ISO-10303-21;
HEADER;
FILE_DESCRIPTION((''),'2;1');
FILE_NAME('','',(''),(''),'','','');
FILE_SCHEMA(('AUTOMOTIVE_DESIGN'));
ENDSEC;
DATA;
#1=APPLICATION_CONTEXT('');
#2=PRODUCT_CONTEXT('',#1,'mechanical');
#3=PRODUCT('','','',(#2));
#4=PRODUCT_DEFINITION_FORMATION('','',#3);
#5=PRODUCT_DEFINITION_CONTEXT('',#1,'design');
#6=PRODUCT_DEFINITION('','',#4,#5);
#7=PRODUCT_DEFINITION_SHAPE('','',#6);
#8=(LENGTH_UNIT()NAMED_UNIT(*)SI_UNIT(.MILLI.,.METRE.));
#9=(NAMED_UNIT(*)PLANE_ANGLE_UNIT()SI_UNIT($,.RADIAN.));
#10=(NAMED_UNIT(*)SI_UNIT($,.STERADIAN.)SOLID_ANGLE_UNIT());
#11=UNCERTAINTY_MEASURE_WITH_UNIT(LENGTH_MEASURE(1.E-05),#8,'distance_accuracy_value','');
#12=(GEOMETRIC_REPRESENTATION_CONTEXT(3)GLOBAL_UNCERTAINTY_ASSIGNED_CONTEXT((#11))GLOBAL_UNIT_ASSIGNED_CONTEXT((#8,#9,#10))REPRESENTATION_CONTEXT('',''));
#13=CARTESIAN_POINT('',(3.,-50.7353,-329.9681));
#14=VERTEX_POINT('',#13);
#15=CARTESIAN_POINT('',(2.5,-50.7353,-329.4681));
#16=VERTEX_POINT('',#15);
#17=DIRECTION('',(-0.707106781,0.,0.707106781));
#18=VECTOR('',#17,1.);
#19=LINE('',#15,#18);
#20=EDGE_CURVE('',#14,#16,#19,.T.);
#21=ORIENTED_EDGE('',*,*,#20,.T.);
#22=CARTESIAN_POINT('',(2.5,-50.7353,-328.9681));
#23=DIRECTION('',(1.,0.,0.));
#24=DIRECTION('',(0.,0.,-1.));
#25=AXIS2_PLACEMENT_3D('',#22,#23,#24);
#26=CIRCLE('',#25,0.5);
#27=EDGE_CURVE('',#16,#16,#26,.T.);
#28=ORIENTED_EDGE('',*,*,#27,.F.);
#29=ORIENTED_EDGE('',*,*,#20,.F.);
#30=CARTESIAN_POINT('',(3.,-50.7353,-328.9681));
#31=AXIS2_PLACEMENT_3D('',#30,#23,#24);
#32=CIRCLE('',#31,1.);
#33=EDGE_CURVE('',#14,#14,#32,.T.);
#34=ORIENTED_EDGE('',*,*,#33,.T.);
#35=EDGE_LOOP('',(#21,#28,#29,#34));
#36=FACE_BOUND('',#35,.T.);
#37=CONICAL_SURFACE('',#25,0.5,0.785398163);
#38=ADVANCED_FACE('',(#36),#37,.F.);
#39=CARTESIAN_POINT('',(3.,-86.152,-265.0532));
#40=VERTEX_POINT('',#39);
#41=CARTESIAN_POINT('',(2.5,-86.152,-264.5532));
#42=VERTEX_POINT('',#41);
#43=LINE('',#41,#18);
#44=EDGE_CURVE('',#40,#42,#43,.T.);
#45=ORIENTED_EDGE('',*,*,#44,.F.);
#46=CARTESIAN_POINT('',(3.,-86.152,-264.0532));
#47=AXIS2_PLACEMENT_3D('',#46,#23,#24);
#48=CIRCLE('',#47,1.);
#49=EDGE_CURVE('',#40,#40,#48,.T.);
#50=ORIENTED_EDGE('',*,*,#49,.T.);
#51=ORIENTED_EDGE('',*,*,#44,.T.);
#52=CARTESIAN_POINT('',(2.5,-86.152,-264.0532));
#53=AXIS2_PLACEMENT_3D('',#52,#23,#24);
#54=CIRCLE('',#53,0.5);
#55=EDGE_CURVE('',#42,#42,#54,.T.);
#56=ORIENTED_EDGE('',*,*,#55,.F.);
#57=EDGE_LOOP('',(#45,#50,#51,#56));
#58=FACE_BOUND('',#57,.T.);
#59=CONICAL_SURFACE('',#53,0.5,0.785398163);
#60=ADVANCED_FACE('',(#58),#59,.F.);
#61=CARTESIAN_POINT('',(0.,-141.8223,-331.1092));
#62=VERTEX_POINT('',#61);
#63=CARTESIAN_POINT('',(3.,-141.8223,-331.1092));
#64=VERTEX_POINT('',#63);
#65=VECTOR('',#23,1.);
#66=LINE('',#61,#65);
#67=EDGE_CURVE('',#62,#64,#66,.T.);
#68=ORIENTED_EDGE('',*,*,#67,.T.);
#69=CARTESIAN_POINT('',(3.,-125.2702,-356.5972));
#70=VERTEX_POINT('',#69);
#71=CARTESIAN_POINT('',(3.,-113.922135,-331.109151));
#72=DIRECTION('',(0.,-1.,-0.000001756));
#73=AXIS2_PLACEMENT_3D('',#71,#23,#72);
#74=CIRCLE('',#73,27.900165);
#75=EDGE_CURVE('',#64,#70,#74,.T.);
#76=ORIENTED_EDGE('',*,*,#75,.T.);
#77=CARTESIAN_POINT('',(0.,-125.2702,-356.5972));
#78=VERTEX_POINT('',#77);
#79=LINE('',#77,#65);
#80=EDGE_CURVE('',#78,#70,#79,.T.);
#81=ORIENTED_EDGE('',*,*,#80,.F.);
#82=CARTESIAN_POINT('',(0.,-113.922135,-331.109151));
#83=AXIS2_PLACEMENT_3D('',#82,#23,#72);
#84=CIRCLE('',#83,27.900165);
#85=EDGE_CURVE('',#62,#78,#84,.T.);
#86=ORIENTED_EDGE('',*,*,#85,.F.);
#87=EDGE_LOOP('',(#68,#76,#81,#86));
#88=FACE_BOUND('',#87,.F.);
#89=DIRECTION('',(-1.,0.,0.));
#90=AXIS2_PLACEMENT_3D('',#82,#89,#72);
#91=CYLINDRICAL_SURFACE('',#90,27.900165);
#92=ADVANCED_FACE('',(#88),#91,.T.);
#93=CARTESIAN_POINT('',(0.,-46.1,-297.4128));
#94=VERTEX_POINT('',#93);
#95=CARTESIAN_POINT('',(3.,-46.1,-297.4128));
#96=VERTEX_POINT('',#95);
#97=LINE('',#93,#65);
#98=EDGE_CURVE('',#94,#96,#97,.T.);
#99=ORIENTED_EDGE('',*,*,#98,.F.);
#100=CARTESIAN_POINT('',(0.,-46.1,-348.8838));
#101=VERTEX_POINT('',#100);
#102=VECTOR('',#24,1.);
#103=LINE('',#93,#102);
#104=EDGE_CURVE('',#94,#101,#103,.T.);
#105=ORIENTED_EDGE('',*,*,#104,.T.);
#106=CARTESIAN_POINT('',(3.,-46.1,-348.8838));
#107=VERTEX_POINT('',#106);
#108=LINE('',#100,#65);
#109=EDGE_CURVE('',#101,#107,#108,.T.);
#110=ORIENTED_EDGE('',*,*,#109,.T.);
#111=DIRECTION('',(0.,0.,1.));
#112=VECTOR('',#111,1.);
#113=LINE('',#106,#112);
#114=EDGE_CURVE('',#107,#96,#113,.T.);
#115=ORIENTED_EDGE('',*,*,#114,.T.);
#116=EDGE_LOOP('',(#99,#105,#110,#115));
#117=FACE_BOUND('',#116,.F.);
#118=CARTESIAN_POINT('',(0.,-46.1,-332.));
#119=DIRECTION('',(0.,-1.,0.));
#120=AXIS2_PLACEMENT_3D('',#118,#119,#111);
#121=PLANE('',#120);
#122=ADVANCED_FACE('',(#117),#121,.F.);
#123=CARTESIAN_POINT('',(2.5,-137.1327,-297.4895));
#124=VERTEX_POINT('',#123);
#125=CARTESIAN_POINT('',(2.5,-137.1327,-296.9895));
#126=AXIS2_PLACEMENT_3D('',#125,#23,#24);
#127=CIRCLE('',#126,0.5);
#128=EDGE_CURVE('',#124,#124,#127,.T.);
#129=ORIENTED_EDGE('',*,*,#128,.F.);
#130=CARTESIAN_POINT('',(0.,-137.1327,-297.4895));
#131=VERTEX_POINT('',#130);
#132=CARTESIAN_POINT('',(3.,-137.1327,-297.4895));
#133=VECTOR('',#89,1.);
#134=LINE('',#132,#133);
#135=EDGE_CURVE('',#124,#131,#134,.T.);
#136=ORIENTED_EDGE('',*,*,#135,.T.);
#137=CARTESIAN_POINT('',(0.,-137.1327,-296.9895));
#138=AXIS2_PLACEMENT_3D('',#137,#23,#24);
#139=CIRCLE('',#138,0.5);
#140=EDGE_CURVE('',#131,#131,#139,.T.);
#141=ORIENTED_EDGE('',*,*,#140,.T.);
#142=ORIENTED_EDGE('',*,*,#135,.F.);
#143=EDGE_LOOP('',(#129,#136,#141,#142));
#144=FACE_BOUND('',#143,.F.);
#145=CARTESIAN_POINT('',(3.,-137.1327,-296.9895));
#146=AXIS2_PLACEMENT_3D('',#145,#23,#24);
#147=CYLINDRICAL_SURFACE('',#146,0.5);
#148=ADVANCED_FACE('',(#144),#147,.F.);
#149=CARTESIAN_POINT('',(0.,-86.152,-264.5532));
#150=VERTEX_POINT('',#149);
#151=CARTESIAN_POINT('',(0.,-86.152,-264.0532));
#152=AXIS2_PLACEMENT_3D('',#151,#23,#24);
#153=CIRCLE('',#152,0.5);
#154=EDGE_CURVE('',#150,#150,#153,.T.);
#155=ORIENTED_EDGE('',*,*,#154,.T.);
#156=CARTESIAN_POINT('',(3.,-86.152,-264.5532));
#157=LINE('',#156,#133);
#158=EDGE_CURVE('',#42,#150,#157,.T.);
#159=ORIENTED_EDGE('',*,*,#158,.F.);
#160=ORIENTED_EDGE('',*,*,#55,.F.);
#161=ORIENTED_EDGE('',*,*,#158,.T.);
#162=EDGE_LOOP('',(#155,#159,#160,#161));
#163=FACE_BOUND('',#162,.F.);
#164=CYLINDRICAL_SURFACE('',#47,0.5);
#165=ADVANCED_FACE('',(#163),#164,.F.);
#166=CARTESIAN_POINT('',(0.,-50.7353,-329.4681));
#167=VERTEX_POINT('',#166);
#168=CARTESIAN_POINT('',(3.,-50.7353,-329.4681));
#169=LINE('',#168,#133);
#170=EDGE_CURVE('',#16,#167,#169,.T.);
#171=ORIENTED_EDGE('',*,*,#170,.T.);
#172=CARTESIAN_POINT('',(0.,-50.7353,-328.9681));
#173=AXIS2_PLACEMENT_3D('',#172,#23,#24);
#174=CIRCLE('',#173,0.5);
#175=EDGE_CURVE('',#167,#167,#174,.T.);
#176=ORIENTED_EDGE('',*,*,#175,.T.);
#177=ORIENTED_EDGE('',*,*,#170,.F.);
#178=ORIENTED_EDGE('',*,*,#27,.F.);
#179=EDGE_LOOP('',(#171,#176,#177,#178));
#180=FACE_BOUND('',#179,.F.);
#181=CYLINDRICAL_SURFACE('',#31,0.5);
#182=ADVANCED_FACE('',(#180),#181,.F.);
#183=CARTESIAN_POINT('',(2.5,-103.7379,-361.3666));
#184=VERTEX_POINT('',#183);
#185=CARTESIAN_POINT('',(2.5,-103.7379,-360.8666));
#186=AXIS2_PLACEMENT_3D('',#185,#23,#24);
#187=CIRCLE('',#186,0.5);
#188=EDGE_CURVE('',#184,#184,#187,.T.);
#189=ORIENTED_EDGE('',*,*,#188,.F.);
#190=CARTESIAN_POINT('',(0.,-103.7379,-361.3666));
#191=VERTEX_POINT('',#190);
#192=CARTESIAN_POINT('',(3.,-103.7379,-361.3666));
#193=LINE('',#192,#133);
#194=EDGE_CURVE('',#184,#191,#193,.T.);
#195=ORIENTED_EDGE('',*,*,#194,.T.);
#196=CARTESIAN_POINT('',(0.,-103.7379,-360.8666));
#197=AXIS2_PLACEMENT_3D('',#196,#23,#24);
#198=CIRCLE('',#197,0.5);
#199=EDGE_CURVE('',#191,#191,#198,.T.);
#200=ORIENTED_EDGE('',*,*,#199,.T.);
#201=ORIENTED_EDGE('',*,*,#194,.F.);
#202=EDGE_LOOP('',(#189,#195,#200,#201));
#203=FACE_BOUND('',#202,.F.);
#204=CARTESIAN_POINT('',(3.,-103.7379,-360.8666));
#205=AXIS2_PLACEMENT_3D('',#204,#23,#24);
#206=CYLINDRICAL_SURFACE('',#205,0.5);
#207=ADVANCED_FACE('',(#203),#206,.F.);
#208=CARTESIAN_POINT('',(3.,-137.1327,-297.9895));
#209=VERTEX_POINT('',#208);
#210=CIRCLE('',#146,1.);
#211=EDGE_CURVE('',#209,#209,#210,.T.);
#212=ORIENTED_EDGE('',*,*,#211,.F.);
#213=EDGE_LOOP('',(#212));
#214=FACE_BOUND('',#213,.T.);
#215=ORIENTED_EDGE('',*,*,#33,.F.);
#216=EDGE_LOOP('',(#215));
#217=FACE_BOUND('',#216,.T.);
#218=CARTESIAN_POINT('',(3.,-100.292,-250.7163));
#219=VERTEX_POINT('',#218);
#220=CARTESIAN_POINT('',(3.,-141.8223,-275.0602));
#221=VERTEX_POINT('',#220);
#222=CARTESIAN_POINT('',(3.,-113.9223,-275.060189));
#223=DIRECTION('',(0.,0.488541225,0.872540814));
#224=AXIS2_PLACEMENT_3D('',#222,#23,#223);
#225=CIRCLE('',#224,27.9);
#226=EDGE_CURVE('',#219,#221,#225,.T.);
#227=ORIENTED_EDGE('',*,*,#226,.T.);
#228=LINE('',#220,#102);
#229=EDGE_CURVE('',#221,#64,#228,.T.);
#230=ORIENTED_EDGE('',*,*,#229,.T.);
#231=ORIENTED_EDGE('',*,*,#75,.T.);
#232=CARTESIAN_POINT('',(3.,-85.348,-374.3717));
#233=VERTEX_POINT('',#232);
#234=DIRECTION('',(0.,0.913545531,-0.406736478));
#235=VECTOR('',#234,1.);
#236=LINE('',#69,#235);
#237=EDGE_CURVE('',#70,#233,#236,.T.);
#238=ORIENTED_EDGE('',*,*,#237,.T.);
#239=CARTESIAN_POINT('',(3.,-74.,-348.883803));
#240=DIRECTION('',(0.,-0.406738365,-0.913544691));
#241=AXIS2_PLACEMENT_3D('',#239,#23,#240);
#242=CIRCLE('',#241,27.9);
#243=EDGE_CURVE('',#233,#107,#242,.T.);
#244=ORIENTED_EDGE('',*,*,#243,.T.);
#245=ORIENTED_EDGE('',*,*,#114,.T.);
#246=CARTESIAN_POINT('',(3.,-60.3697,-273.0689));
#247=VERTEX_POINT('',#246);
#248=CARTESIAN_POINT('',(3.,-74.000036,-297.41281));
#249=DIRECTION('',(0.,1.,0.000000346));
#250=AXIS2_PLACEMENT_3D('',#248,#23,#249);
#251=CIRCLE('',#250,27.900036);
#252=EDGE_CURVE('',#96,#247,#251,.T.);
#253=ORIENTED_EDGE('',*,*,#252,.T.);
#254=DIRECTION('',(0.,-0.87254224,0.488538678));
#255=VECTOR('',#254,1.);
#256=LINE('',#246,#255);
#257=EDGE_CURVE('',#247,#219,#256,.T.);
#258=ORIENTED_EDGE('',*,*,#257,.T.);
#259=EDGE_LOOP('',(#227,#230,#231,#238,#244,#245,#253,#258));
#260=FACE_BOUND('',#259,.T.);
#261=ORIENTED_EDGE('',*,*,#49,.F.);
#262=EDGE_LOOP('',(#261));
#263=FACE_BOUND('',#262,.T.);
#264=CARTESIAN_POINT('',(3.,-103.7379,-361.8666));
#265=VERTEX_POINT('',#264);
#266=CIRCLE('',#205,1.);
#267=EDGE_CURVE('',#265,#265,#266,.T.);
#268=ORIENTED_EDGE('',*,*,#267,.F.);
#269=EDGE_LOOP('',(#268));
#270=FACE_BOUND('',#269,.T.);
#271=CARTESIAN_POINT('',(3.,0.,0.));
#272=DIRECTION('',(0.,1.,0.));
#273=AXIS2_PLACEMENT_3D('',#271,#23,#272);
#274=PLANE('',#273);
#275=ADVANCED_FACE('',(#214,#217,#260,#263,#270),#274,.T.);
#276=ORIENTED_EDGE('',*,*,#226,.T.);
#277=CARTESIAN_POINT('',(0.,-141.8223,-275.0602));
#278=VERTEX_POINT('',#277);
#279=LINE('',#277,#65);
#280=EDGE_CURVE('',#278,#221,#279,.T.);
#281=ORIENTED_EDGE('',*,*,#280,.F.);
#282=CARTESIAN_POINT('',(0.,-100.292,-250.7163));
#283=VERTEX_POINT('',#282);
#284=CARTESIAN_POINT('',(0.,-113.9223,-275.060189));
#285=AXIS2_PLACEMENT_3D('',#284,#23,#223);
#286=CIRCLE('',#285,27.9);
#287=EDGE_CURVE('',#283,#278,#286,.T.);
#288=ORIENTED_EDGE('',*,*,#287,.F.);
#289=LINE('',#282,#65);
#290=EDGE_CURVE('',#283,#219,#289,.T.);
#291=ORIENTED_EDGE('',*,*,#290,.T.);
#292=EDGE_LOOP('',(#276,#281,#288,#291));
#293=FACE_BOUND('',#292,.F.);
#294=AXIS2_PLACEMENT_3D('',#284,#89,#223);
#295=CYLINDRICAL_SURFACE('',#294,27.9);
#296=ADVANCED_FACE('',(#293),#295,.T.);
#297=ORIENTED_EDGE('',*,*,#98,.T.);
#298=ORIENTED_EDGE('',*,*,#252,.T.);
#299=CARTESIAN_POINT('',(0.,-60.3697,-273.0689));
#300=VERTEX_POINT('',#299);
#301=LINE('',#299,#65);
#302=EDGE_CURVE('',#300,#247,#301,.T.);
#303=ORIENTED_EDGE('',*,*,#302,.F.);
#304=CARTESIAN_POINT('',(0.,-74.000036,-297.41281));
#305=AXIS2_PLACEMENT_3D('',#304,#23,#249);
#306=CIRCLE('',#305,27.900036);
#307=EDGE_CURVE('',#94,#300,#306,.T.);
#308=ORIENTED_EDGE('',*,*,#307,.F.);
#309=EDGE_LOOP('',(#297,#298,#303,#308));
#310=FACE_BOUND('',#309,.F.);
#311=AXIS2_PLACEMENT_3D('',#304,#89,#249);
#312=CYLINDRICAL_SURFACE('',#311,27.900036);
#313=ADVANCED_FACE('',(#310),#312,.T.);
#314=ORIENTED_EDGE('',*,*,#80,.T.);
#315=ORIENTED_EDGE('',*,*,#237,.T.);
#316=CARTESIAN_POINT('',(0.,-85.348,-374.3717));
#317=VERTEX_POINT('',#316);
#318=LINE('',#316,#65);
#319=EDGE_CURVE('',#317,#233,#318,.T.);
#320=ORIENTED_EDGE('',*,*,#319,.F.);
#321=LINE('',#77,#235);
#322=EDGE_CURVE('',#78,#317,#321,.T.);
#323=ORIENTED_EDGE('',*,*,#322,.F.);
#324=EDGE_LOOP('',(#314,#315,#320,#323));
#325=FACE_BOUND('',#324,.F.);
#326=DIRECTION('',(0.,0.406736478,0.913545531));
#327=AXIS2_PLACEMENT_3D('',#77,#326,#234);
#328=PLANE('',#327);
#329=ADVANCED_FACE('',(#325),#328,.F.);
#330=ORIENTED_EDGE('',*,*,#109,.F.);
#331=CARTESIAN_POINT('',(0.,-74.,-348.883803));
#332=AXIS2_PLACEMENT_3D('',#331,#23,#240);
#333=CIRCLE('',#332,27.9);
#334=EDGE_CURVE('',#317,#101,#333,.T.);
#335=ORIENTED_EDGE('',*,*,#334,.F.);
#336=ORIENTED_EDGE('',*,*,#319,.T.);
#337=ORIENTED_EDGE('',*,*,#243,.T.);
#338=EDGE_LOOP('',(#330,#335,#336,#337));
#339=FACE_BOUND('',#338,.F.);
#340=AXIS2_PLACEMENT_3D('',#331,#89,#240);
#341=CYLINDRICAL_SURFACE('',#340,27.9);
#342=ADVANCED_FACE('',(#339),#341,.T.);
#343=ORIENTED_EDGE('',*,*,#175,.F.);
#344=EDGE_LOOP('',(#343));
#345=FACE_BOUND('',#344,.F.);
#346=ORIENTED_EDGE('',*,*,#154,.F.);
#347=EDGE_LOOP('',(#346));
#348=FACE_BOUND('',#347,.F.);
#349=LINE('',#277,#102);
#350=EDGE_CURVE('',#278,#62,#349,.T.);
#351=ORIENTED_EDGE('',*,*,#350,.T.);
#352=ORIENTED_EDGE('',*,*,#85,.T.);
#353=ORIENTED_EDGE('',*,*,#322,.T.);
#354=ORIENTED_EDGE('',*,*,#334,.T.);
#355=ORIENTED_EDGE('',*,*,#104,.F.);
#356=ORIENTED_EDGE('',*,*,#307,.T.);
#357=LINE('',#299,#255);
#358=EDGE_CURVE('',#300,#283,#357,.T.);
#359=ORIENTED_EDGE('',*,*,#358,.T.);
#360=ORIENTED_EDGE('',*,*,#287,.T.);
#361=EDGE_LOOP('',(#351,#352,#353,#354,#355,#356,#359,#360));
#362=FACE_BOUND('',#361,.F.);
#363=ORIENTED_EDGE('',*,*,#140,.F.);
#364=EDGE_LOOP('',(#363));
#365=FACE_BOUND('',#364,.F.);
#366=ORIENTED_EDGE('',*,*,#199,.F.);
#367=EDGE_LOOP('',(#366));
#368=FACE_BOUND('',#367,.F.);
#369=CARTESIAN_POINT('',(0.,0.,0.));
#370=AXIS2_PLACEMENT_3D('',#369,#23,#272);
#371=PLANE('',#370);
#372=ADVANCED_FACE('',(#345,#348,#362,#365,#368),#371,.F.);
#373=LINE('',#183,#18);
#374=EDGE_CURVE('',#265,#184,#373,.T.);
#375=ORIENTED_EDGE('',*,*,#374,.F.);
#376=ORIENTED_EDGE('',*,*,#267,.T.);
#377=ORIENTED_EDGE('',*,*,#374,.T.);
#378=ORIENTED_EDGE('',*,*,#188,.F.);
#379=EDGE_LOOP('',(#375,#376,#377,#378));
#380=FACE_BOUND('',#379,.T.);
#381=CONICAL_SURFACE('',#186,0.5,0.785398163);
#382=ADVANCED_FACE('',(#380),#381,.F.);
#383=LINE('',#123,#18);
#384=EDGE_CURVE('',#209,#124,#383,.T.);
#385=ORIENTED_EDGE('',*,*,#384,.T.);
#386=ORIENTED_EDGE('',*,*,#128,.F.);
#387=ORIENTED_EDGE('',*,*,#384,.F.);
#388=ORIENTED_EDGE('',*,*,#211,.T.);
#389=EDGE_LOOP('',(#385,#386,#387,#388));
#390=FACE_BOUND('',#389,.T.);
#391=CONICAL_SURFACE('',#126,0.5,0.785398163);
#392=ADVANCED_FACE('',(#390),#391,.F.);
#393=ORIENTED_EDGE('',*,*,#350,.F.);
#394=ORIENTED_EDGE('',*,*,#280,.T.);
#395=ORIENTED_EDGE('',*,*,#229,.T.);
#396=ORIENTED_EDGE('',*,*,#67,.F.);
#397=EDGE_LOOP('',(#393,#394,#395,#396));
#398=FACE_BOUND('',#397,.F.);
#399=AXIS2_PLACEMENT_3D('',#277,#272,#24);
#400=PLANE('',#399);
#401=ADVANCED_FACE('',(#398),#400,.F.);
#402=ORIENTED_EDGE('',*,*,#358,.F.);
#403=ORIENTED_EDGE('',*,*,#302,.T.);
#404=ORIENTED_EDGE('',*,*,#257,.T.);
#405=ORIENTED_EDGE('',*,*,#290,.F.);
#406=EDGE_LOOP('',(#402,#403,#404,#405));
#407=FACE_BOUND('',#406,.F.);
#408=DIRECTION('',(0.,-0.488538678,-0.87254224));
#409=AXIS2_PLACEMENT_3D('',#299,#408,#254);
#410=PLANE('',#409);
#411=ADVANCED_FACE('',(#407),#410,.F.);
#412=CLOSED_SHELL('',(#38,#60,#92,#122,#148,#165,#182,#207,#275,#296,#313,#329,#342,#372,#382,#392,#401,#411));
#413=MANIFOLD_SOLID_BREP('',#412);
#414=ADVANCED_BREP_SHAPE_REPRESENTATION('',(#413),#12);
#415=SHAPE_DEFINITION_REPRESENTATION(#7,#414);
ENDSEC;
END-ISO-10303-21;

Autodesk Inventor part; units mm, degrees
ref_plane "YZ Plane" through (0, 0, 0) normal (1, 0, 0) x (0, 1, 0)
ref_plane "XZ Plane" through (0, 0, 0) normal (0, 1, 0) x (-1, 0, 0)
ref_plane "XY Plane" through (0, 0, 0) normal (0, 0, 1) x (1, 0, 0)
sketch "Sketch1" plane through (0, 0, 0) normal (1, 0, 0) x (0, 1, 0)
  line L0 (0, -332) -> (-46, -332) construction
  line L1 (-46, -332) -> (-46, -297.4128)
  line L2 (-46, -332) -> (-46, -348.8838)
  line L3 (-85.3886, -374.4631) -> (-125.3109, -356.6885)
  line L4 (-141.9223, -331.1092) -> (-141.9223, -275.0602)
  arc A0 (-85.3886, -374.4631) -> (-46, -348.8838) centre (-74, -348.8838) ccw
  arc A1 (-100.2431, -250.629) -> (-141.9223, -275.0602) centre (-113.9223, -275.0602) ccw
  arc A2 (-46, -297.4128) -> (-60.3209, -272.9817) centre (-74, -297.4128) ccw
  arc A3 (-141.9223, -331.1092) -> (-125.3109, -356.6885) centre (-113.9223, -331.1092) ccw
  line L5 (0, -332) -> (-46, -332) construction
  line L6 (-46, -332) -> (-46, -297.4128)
  line L7 (-46, -332) -> (-46, -348.8838)
  line L8 (-85.3886, -374.4631) -> (-125.3109, -356.6885)
  line L9 (-141.9223, -331.1092) -> (-141.9223, -275.0602)
  arc A4 (-85.3886, -374.4631) -> (-46, -348.8838) centre (-74, -348.8838) ccw
  arc A5 (-100.2431, -250.629) -> (-141.9223, -275.0602) centre (-113.9223, -275.0602) ccw
  arc A6 (-46, -297.4128) -> (-60.3209, -272.9817) centre (-74, -297.4128) ccw
  arc A7 (-141.9223, -331.1092) -> (-125.3109, -356.6885) centre (-113.9223, -331.1092) ccw
  line L10 (0, -332) -> (-46, -332) construction
  line L11 (-46, -332) -> (-46, -297.4128)
  line L12 (-46, -332) -> (-46, -348.8838)
  line L13 (-85.3886, -374.4631) -> (-125.3109, -356.6885)
  line L14 (-141.9223, -331.1092) -> (-141.9223, -275.0602)
  line L15 (-60.3209, -272.9817) -> (-100.2431, -250.629)
  arc A8 (-85.3886, -374.4631) -> (-46, -348.8838) centre (-74, -348.8838) ccw
  arc A9 (-100.2431, -250.629) -> (-141.9223, -275.0602) centre (-113.9223, -275.0602) ccw
  arc A10 (-46, -297.4128) -> (-60.3209, -272.9817) centre (-74, -297.4128) ccw
  arc A11 (-141.9223, -331.1092) -> (-125.3109, -356.6885) centre (-113.9223, -331.1092) ccw
  line L16 (-141.8223, -275.0602) -> (-141.8223, -331.1092)
  arc A12 (-141.8223, -331.1092) -> (-125.2702, -356.5972) centre (-113.9223, -331.1092) ccw
  line L17 (-125.2702, -356.5972) -> (-85.348, -374.3717)
  arc A13 (-85.348, -374.3717) -> (-46.1, -348.8838) centre (-74, -348.8838) ccw
  line L18 (-46.1, -348.8838) -> (-46.1, -332)
  line L19 (-46.1, -332) -> (-46.1, -297.4128)
  arc A14 (-46.1, -297.4128) -> (-60.3697, -273.0689) centre (-74, -297.4128) ccw
  line L20 (-60.3697, -273.0689) -> (-100.292, -250.7163)
  arc A15 (-100.292, -250.7163) -> (-141.8223, -275.0602) centre (-113.9223, -275.0602) ccw
  point P0 (0, 0)
  point P1 (-46, -281)
  point P2 (-46, -392)
  point P3 (-141.9223, -349.2927)
  point P4 (-141.9223, -227.2927)
  point P5 (-46, -281)
  point P6 (-46, -392)
  point P7 (-141.9223, -349.2927)
  point P8 (-141.9223, -227.2927)
  point P9 (-46, -281)
  point P10 (-46, -392)
  point P11 (-141.9223, -349.2927)
  point P12 (-141.9223, -227.2927)
  dimension "d43" = 0
  dimension "d0" = 46
  dimension "d1" = 51
  dimension "d2" = 60
  dimension "d3" = 105
  dimension "d4" = 66
  dimension "d5" = 122
  dimension "d6" = 28
  dimension "d7" = 28
  dimension "d8" = 28
  dimension "d9" = 46
  dimension "d11" = 60
  dimension "d12" = 105
  dimension "d13" = 66
  dimension "d14" = 122
  dimension "d15" = 28
  dimension "d16" = 28
  dimension "d17" = 28
  dimension "d18" = 46
  dimension "d21" = 105
  dimension "d22" = 66
  dimension "d23" = 122
  dimension "d24" = 28
  dimension "d25" = 28
  dimension "d26" = 28
  dimension "d27" = 0.1
extrude "Extrusion1" add sketch "Sketch1" along normal blind 3 contours A15 L20 A14 L19 L18 A13 L17 A12 L16
sketch "Sketch2" plane through (3, 0, 0) normal (1, 0, 0) x (0, 0, -1)
  arc A0 (250.7163, -100.292) -> (275.0602, -141.8223) centre (275.0602, -113.9223) ccw projected
  arc A1 (374.3717, -85.348) -> (348.8838, -46.1) centre (348.8838, -74) ccw projected
  arc A2 (297.4128, -46.1) -> (273.0689, -60.3697) centre (297.4128, -74) ccw projected
  arc A3 (331.1092, -141.8223) -> (356.5972, -125.2702) centre (331.1092, -113.9223) ccw projected
  circle A4 centre (328.9681, -50.7353) radius 0.5
  line L0 (273.0689, -60.3697) -> (250.7163, -100.292) projected
  circle A5 centre (264.0532, -86.152) radius 0.5
  line L1 (356.5972, -125.2702) -> (374.3717, -85.348) projected
  circle A6 centre (360.8666, -103.7379) radius 0.5
  line L2 (275.0602, -141.8223) -> (331.1092, -141.8223) projected
  circle A7 centre (296.9895, -137.1327) radius 0.5
  point P0 (0, 0)
extrude "Extrusion2" cut sketch "Sketch2" against normal blind 5
chamfer "Chamfer1" distance 0.5 angle 45 1 edges at (3, -86.152, -263.5532)
chamfer "Chamfer2" distance 0.5 angle 45 3 edges at (3, -137.1327, -296.4895) (3, -103.7379, -360.3666) (3, -50.7353, -328.4681)
properties part number "tampa traseira do corpo" material "PET Plastic"
